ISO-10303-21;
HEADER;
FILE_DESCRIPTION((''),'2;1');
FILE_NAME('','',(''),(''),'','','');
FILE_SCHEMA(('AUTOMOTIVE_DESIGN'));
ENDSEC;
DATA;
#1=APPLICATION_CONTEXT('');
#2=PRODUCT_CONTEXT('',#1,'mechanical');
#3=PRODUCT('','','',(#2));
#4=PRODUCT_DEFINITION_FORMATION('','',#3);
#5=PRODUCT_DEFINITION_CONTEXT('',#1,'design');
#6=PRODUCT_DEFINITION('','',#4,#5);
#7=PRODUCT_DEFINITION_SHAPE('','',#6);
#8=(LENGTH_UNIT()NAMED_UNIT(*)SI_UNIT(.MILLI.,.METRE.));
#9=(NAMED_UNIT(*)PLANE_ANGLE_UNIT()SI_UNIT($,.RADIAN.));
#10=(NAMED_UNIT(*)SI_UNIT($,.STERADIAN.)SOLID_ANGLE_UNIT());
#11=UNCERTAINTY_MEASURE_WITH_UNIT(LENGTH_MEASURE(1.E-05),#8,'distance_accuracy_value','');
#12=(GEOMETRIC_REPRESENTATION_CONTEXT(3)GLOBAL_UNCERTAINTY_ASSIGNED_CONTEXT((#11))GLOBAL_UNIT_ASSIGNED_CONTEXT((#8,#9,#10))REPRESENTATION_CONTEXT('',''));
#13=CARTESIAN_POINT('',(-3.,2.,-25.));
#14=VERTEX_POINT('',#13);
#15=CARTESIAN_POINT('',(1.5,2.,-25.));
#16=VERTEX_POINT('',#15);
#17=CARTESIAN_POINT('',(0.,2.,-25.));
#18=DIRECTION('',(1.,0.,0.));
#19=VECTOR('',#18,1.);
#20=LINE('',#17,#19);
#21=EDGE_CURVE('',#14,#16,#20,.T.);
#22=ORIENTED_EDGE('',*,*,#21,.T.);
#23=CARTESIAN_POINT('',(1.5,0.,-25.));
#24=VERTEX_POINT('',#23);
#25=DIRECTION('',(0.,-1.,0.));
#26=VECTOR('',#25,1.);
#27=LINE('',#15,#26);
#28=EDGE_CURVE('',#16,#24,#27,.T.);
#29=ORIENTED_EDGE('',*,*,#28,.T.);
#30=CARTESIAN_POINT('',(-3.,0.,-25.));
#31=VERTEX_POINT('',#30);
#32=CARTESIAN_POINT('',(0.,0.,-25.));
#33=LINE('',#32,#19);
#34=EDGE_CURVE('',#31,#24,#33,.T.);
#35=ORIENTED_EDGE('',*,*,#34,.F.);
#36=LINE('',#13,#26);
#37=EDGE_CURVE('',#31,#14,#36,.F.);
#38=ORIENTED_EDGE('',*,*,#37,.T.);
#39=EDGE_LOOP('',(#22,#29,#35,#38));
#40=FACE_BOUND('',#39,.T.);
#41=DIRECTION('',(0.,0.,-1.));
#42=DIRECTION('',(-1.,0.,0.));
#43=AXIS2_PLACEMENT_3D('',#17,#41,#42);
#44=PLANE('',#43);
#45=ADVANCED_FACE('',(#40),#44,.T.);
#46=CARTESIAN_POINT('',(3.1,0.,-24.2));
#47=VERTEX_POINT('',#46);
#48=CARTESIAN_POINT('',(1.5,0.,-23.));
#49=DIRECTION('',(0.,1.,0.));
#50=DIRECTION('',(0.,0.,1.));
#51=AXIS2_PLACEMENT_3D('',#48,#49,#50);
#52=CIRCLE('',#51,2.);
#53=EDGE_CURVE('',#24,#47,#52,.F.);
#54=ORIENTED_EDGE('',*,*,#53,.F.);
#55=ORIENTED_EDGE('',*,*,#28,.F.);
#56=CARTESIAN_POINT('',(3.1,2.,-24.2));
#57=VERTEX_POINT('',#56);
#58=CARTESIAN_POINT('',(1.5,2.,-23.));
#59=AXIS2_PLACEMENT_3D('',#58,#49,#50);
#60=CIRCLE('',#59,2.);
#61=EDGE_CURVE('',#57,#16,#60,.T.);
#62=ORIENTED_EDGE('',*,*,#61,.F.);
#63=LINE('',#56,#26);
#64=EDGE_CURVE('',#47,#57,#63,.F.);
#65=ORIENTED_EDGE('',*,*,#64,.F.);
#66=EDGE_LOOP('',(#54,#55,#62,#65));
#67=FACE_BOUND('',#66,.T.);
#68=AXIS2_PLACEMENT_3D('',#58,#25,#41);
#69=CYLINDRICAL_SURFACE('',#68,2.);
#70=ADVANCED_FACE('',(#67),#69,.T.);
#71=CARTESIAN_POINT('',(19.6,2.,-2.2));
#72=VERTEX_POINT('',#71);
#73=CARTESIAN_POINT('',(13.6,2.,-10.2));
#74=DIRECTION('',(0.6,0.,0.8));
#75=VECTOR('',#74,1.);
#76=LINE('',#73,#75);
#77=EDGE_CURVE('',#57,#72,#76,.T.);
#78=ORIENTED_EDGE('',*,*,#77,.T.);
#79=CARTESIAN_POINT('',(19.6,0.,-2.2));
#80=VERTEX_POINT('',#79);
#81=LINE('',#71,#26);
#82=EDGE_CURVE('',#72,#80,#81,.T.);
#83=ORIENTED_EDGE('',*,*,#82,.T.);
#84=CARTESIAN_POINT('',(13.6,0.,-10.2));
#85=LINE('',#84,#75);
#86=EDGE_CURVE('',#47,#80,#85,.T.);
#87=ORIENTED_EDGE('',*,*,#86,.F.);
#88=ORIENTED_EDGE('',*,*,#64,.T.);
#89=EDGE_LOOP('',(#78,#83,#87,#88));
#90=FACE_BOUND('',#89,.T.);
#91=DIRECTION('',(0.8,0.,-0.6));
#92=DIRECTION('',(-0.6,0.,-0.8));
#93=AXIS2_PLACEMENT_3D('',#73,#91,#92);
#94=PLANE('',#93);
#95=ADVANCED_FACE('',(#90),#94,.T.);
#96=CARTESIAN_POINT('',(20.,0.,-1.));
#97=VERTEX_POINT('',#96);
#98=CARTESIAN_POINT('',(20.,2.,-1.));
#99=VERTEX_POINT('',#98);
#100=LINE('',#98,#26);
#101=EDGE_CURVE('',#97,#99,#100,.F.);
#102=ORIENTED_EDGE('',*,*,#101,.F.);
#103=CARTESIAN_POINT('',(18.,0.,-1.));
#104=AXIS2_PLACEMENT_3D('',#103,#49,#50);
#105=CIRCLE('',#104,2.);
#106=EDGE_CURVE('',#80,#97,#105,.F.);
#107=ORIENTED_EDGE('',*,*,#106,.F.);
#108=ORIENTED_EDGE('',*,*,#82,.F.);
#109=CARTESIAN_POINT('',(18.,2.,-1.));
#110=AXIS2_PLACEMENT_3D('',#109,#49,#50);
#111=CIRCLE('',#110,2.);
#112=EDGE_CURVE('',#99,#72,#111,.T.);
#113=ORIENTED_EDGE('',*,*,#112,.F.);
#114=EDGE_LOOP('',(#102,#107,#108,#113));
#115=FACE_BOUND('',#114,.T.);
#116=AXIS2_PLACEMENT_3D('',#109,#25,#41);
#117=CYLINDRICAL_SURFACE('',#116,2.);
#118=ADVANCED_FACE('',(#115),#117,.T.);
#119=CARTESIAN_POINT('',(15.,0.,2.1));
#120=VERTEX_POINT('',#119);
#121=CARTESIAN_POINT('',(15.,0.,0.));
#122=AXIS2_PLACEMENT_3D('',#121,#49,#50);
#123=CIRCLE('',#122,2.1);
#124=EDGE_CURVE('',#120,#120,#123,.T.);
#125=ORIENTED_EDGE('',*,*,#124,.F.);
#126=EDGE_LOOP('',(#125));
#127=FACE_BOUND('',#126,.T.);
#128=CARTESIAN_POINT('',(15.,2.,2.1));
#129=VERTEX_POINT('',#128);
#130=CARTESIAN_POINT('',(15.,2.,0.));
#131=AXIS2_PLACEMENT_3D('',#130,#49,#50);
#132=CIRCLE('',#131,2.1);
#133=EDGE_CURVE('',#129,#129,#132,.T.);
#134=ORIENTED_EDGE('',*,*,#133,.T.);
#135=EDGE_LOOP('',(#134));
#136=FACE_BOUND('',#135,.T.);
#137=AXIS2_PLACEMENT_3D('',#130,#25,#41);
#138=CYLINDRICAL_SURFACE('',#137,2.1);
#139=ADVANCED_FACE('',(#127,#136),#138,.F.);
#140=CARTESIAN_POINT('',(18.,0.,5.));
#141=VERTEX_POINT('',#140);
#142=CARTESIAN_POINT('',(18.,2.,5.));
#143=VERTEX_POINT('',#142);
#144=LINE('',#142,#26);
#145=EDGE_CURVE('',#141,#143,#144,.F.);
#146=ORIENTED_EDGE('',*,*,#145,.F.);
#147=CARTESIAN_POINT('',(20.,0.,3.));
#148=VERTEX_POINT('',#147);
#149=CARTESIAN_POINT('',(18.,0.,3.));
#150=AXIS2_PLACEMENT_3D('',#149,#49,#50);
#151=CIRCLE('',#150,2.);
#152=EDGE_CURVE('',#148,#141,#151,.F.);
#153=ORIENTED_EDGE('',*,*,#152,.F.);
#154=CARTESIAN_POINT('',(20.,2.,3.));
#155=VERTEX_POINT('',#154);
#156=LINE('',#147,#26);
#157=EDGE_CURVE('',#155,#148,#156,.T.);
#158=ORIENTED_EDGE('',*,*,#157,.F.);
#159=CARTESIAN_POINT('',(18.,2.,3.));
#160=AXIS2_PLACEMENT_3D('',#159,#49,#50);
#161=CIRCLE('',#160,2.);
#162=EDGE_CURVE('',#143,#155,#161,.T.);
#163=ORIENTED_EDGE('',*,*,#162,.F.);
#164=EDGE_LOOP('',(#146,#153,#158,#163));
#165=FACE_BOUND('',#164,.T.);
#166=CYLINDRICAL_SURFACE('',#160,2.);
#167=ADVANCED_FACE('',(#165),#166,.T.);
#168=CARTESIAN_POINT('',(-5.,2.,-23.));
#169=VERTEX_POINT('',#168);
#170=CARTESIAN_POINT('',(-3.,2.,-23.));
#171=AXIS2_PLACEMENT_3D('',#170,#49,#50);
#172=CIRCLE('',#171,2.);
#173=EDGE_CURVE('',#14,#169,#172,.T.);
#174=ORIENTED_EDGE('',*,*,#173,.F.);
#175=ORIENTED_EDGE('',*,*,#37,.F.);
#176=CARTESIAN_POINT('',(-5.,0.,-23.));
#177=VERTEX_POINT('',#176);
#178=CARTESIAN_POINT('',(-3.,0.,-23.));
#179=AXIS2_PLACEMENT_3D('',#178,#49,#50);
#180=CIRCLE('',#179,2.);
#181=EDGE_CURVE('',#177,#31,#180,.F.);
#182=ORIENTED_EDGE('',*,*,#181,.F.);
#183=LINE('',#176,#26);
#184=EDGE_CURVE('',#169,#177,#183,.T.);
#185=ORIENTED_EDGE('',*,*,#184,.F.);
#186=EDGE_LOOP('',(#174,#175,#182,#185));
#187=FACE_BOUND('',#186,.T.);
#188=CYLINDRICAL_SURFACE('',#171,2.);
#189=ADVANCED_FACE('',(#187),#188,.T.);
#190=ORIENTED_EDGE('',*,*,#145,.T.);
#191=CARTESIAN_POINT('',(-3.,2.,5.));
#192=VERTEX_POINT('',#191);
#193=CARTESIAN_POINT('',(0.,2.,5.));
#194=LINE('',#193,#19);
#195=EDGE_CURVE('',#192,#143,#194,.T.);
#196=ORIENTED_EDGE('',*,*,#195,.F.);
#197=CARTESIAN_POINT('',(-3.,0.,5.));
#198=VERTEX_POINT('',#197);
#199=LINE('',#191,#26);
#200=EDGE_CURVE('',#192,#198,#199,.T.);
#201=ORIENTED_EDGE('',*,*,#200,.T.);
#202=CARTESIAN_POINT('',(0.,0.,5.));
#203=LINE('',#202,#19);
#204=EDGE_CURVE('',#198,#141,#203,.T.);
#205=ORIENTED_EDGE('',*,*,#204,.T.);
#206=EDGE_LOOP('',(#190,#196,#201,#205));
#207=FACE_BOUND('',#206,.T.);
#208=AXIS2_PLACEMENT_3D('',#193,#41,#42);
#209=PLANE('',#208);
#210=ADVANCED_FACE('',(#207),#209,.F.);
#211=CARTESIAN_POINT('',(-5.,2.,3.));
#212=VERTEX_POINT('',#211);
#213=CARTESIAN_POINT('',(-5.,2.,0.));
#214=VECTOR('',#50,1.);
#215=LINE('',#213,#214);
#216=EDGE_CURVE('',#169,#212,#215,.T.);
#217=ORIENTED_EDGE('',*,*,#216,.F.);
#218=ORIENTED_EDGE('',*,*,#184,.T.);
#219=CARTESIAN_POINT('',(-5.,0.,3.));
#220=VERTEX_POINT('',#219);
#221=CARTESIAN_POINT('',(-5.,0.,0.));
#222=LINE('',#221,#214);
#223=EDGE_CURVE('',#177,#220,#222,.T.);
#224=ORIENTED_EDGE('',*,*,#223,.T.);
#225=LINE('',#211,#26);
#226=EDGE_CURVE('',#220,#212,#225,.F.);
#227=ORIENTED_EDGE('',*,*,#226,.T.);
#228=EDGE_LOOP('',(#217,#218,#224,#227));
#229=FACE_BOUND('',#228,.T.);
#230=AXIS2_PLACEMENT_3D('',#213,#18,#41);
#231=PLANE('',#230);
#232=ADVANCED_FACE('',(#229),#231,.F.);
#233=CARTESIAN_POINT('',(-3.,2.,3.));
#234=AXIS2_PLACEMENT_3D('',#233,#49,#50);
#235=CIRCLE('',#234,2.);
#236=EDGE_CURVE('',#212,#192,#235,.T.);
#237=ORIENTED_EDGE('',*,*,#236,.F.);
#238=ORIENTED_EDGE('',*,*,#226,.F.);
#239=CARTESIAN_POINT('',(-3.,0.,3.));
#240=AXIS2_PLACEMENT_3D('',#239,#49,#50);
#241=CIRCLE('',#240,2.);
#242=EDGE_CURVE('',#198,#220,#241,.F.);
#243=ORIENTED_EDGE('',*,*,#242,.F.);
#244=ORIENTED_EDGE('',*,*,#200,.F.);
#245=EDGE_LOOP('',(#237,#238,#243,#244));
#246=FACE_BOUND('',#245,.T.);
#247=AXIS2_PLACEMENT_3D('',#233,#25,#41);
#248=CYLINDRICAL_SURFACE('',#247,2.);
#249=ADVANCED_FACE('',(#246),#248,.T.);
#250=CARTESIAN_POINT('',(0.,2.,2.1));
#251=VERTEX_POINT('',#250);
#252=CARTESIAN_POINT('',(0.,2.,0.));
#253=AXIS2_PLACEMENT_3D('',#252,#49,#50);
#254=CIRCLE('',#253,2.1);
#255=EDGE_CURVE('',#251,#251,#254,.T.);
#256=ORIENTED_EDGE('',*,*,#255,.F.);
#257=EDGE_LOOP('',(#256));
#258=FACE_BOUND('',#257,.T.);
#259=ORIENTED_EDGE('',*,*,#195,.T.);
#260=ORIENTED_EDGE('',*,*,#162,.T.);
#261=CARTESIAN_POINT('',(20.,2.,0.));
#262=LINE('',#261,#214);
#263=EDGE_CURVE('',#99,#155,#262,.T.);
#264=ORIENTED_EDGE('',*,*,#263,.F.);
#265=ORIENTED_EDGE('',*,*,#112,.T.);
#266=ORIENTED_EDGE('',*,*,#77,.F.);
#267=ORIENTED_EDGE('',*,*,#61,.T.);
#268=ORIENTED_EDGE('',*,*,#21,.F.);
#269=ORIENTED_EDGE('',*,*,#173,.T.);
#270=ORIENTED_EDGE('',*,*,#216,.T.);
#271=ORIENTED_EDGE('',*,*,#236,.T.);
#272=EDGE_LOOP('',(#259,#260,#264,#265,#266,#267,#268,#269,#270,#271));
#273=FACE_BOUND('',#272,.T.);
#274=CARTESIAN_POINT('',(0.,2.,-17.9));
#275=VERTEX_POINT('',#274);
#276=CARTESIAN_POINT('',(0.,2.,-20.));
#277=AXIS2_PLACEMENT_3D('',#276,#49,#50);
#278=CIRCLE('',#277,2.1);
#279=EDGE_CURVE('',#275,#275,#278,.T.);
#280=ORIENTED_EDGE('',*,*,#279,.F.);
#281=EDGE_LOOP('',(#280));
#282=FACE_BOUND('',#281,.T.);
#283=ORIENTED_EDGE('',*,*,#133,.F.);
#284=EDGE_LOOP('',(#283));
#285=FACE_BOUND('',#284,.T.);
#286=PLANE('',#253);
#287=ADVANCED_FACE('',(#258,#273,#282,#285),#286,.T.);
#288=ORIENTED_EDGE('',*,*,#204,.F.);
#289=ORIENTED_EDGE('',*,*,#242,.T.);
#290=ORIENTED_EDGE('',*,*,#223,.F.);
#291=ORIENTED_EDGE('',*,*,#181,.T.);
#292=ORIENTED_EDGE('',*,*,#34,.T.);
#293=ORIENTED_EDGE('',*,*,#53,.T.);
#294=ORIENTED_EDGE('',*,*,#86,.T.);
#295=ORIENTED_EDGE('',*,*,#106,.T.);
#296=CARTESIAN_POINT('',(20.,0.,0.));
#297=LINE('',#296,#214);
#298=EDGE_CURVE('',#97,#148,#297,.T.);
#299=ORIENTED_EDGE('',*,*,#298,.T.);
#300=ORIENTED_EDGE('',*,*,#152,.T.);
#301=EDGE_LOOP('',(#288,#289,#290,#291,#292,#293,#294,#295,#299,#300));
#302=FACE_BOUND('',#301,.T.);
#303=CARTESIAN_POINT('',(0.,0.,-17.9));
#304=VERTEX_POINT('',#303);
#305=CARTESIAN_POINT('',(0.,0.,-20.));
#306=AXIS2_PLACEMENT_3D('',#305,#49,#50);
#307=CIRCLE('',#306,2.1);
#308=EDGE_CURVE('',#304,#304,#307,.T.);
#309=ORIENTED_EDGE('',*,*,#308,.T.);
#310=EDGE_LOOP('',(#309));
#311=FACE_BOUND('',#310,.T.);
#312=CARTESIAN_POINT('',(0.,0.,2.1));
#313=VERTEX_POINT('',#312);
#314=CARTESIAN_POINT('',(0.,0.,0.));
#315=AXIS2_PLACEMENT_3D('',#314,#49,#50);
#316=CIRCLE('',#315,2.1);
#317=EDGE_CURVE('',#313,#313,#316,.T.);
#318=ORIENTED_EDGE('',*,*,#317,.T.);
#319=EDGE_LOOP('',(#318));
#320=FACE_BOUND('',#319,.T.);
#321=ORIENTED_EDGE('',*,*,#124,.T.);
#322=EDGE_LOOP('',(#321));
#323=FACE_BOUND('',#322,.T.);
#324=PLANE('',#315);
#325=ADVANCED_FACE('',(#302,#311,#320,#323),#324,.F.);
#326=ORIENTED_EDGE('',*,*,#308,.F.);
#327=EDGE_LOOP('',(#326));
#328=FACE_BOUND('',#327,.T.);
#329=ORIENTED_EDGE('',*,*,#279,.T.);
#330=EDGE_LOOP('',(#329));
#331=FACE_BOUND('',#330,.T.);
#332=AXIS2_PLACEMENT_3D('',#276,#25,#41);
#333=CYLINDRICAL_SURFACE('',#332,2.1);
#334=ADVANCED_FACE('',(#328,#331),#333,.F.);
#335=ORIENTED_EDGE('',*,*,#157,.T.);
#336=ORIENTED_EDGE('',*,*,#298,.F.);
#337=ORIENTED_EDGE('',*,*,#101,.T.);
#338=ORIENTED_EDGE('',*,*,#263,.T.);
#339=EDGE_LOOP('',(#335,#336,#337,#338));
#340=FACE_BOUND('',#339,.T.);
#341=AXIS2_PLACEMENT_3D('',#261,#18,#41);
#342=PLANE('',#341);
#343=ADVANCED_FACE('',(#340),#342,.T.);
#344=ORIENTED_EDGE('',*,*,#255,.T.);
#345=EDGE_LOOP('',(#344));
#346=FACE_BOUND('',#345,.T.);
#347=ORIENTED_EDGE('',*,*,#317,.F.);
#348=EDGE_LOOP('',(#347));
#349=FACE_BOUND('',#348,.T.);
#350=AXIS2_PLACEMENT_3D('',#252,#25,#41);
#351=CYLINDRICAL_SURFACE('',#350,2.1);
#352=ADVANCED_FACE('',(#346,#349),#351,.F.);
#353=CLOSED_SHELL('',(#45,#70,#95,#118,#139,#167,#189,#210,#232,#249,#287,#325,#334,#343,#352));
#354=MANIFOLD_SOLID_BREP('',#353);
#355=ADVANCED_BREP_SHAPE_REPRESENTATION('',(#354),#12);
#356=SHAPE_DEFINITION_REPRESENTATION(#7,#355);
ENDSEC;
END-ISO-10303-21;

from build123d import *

# Parameters (mm, degrees)
SKETCH_1_R      = 2.1
EXTRUDE_1_DEPTH = 2
FILLET_1_R      = 2


with BuildPart() as part:
    # ｽｹｯﾁ1 → ﾎﾞｽ - 押し出し1 (new body)
    with BuildSketch(Plane(origin=(0, 0, 0), x_dir=(1, 0, 0), z_dir=(0, 1, 0))):
        Polygon((-5, 25), (-5, -5), (20, -5), (20, 1.666666667), (2.5, 25), align=None)
        with Locations(Location((0, 20, 0), (0, 0, 270))):
            Circle(SKETCH_1_R, mode=Mode.SUBTRACT)
        with Locations(Location((0, 0, 0), (0, 0, 270))):
            Circle(SKETCH_1_R, mode=Mode.SUBTRACT)
        with Locations(Location((15, 0, 0), (0, 0, 270))):
            Circle(SKETCH_1_R, mode=Mode.SUBTRACT)
    extrude(amount=EXTRUDE_1_DEPTH)

    # ﾌｨﾚｯﾄ1
    fillet_1_edges = [part.edges().sort_by_distance(p)[0] for p in [
        (-5, 1, -25),
        (2.5, 1, -25),
        (20, 1, -1.666666667),
        (20, 1, 5),
        (-5, 1, 5),
    ]]
    fillet(fillet_1_edges, radius=FILLET_1_R)


solid = part.part
